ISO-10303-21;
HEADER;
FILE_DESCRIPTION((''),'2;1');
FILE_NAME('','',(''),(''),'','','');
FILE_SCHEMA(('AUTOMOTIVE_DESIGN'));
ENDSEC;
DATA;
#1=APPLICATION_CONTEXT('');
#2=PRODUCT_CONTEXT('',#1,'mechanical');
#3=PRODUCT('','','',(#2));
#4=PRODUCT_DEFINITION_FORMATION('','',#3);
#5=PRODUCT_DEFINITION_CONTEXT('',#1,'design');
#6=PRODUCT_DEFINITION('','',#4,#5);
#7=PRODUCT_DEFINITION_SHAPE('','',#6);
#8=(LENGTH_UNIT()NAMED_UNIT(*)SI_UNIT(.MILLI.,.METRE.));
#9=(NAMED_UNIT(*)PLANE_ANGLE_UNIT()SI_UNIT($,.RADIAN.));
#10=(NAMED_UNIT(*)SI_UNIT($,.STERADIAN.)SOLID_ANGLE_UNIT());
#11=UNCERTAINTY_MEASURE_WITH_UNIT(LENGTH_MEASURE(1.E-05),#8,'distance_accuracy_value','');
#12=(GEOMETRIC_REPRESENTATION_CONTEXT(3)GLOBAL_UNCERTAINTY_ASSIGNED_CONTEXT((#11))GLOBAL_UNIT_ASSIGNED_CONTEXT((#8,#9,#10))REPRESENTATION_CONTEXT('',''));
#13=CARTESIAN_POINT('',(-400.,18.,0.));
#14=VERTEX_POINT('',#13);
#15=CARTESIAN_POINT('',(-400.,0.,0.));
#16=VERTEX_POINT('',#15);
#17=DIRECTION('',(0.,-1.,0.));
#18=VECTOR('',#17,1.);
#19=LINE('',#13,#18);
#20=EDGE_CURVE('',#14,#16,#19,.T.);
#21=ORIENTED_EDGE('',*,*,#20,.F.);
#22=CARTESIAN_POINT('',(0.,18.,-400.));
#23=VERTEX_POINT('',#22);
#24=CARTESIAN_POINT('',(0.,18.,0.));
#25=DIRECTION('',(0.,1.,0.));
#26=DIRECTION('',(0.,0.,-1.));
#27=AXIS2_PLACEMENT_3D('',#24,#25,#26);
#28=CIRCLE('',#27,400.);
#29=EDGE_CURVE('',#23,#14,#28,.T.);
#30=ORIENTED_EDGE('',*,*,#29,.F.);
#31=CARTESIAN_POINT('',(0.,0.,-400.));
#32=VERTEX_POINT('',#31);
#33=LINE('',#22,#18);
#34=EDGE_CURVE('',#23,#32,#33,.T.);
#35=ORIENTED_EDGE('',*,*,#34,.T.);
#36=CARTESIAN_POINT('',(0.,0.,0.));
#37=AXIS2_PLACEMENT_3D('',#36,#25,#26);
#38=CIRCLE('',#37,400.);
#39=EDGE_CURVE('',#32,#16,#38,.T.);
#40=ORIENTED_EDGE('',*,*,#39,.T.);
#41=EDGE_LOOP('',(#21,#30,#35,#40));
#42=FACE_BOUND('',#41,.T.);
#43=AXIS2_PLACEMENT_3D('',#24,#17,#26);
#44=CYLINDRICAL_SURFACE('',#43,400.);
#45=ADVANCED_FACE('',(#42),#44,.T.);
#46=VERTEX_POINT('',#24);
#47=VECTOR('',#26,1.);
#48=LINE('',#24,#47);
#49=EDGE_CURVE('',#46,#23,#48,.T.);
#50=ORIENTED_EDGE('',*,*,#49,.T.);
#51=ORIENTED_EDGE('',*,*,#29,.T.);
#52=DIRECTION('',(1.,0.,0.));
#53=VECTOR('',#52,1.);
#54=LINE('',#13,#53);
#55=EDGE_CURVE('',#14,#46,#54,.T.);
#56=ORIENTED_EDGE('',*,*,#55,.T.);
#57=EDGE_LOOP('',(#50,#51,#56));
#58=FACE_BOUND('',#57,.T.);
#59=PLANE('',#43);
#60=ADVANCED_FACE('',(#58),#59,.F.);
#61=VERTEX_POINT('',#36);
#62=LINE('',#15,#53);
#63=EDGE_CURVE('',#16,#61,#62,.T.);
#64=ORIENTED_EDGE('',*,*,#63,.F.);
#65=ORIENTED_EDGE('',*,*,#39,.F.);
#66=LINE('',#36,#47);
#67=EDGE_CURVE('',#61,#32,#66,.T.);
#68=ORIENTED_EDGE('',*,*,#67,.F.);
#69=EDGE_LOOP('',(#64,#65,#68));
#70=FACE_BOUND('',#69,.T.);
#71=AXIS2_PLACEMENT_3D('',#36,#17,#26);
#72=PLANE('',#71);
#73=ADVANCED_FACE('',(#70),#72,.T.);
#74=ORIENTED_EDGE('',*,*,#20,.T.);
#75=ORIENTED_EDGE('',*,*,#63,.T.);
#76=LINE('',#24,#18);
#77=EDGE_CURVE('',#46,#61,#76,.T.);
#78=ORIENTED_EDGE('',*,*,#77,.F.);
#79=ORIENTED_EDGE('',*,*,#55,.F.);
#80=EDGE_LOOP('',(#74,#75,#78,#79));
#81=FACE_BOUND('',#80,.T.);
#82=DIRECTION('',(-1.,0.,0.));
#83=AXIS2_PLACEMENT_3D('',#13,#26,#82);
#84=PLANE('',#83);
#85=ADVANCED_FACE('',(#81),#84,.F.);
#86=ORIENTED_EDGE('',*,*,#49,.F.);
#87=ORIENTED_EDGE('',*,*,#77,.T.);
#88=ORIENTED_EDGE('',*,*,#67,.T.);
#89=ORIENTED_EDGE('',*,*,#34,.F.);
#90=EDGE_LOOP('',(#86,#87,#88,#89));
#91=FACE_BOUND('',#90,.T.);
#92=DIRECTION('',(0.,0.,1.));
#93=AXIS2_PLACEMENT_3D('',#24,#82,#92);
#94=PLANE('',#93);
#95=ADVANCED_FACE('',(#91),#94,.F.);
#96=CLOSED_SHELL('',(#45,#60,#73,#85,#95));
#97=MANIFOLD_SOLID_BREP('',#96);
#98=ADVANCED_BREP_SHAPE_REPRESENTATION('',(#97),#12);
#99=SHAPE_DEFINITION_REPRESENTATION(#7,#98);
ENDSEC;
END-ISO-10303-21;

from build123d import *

# Parameters (mm, degrees)
EXTRUDE_1_DEPTH = 18


with BuildPart() as part:
    # Эскиз1 → Бобышка-Вытянуть1 (new body)
    with BuildSketch(Plane(origin=(0, 0, 0), x_dir=(1, 0, 0), z_dir=(0, 1, 0))):
        with BuildLine():
            Line((-400, 0), (0, 0))
            Line((0, 0), (0, 400))
            ThreePointArc((0, 400), (-282.842712475, 282.842712475), (-400, 0))
        make_face()
    extrude(amount=EXTRUDE_1_DEPTH)


solid = part.part
